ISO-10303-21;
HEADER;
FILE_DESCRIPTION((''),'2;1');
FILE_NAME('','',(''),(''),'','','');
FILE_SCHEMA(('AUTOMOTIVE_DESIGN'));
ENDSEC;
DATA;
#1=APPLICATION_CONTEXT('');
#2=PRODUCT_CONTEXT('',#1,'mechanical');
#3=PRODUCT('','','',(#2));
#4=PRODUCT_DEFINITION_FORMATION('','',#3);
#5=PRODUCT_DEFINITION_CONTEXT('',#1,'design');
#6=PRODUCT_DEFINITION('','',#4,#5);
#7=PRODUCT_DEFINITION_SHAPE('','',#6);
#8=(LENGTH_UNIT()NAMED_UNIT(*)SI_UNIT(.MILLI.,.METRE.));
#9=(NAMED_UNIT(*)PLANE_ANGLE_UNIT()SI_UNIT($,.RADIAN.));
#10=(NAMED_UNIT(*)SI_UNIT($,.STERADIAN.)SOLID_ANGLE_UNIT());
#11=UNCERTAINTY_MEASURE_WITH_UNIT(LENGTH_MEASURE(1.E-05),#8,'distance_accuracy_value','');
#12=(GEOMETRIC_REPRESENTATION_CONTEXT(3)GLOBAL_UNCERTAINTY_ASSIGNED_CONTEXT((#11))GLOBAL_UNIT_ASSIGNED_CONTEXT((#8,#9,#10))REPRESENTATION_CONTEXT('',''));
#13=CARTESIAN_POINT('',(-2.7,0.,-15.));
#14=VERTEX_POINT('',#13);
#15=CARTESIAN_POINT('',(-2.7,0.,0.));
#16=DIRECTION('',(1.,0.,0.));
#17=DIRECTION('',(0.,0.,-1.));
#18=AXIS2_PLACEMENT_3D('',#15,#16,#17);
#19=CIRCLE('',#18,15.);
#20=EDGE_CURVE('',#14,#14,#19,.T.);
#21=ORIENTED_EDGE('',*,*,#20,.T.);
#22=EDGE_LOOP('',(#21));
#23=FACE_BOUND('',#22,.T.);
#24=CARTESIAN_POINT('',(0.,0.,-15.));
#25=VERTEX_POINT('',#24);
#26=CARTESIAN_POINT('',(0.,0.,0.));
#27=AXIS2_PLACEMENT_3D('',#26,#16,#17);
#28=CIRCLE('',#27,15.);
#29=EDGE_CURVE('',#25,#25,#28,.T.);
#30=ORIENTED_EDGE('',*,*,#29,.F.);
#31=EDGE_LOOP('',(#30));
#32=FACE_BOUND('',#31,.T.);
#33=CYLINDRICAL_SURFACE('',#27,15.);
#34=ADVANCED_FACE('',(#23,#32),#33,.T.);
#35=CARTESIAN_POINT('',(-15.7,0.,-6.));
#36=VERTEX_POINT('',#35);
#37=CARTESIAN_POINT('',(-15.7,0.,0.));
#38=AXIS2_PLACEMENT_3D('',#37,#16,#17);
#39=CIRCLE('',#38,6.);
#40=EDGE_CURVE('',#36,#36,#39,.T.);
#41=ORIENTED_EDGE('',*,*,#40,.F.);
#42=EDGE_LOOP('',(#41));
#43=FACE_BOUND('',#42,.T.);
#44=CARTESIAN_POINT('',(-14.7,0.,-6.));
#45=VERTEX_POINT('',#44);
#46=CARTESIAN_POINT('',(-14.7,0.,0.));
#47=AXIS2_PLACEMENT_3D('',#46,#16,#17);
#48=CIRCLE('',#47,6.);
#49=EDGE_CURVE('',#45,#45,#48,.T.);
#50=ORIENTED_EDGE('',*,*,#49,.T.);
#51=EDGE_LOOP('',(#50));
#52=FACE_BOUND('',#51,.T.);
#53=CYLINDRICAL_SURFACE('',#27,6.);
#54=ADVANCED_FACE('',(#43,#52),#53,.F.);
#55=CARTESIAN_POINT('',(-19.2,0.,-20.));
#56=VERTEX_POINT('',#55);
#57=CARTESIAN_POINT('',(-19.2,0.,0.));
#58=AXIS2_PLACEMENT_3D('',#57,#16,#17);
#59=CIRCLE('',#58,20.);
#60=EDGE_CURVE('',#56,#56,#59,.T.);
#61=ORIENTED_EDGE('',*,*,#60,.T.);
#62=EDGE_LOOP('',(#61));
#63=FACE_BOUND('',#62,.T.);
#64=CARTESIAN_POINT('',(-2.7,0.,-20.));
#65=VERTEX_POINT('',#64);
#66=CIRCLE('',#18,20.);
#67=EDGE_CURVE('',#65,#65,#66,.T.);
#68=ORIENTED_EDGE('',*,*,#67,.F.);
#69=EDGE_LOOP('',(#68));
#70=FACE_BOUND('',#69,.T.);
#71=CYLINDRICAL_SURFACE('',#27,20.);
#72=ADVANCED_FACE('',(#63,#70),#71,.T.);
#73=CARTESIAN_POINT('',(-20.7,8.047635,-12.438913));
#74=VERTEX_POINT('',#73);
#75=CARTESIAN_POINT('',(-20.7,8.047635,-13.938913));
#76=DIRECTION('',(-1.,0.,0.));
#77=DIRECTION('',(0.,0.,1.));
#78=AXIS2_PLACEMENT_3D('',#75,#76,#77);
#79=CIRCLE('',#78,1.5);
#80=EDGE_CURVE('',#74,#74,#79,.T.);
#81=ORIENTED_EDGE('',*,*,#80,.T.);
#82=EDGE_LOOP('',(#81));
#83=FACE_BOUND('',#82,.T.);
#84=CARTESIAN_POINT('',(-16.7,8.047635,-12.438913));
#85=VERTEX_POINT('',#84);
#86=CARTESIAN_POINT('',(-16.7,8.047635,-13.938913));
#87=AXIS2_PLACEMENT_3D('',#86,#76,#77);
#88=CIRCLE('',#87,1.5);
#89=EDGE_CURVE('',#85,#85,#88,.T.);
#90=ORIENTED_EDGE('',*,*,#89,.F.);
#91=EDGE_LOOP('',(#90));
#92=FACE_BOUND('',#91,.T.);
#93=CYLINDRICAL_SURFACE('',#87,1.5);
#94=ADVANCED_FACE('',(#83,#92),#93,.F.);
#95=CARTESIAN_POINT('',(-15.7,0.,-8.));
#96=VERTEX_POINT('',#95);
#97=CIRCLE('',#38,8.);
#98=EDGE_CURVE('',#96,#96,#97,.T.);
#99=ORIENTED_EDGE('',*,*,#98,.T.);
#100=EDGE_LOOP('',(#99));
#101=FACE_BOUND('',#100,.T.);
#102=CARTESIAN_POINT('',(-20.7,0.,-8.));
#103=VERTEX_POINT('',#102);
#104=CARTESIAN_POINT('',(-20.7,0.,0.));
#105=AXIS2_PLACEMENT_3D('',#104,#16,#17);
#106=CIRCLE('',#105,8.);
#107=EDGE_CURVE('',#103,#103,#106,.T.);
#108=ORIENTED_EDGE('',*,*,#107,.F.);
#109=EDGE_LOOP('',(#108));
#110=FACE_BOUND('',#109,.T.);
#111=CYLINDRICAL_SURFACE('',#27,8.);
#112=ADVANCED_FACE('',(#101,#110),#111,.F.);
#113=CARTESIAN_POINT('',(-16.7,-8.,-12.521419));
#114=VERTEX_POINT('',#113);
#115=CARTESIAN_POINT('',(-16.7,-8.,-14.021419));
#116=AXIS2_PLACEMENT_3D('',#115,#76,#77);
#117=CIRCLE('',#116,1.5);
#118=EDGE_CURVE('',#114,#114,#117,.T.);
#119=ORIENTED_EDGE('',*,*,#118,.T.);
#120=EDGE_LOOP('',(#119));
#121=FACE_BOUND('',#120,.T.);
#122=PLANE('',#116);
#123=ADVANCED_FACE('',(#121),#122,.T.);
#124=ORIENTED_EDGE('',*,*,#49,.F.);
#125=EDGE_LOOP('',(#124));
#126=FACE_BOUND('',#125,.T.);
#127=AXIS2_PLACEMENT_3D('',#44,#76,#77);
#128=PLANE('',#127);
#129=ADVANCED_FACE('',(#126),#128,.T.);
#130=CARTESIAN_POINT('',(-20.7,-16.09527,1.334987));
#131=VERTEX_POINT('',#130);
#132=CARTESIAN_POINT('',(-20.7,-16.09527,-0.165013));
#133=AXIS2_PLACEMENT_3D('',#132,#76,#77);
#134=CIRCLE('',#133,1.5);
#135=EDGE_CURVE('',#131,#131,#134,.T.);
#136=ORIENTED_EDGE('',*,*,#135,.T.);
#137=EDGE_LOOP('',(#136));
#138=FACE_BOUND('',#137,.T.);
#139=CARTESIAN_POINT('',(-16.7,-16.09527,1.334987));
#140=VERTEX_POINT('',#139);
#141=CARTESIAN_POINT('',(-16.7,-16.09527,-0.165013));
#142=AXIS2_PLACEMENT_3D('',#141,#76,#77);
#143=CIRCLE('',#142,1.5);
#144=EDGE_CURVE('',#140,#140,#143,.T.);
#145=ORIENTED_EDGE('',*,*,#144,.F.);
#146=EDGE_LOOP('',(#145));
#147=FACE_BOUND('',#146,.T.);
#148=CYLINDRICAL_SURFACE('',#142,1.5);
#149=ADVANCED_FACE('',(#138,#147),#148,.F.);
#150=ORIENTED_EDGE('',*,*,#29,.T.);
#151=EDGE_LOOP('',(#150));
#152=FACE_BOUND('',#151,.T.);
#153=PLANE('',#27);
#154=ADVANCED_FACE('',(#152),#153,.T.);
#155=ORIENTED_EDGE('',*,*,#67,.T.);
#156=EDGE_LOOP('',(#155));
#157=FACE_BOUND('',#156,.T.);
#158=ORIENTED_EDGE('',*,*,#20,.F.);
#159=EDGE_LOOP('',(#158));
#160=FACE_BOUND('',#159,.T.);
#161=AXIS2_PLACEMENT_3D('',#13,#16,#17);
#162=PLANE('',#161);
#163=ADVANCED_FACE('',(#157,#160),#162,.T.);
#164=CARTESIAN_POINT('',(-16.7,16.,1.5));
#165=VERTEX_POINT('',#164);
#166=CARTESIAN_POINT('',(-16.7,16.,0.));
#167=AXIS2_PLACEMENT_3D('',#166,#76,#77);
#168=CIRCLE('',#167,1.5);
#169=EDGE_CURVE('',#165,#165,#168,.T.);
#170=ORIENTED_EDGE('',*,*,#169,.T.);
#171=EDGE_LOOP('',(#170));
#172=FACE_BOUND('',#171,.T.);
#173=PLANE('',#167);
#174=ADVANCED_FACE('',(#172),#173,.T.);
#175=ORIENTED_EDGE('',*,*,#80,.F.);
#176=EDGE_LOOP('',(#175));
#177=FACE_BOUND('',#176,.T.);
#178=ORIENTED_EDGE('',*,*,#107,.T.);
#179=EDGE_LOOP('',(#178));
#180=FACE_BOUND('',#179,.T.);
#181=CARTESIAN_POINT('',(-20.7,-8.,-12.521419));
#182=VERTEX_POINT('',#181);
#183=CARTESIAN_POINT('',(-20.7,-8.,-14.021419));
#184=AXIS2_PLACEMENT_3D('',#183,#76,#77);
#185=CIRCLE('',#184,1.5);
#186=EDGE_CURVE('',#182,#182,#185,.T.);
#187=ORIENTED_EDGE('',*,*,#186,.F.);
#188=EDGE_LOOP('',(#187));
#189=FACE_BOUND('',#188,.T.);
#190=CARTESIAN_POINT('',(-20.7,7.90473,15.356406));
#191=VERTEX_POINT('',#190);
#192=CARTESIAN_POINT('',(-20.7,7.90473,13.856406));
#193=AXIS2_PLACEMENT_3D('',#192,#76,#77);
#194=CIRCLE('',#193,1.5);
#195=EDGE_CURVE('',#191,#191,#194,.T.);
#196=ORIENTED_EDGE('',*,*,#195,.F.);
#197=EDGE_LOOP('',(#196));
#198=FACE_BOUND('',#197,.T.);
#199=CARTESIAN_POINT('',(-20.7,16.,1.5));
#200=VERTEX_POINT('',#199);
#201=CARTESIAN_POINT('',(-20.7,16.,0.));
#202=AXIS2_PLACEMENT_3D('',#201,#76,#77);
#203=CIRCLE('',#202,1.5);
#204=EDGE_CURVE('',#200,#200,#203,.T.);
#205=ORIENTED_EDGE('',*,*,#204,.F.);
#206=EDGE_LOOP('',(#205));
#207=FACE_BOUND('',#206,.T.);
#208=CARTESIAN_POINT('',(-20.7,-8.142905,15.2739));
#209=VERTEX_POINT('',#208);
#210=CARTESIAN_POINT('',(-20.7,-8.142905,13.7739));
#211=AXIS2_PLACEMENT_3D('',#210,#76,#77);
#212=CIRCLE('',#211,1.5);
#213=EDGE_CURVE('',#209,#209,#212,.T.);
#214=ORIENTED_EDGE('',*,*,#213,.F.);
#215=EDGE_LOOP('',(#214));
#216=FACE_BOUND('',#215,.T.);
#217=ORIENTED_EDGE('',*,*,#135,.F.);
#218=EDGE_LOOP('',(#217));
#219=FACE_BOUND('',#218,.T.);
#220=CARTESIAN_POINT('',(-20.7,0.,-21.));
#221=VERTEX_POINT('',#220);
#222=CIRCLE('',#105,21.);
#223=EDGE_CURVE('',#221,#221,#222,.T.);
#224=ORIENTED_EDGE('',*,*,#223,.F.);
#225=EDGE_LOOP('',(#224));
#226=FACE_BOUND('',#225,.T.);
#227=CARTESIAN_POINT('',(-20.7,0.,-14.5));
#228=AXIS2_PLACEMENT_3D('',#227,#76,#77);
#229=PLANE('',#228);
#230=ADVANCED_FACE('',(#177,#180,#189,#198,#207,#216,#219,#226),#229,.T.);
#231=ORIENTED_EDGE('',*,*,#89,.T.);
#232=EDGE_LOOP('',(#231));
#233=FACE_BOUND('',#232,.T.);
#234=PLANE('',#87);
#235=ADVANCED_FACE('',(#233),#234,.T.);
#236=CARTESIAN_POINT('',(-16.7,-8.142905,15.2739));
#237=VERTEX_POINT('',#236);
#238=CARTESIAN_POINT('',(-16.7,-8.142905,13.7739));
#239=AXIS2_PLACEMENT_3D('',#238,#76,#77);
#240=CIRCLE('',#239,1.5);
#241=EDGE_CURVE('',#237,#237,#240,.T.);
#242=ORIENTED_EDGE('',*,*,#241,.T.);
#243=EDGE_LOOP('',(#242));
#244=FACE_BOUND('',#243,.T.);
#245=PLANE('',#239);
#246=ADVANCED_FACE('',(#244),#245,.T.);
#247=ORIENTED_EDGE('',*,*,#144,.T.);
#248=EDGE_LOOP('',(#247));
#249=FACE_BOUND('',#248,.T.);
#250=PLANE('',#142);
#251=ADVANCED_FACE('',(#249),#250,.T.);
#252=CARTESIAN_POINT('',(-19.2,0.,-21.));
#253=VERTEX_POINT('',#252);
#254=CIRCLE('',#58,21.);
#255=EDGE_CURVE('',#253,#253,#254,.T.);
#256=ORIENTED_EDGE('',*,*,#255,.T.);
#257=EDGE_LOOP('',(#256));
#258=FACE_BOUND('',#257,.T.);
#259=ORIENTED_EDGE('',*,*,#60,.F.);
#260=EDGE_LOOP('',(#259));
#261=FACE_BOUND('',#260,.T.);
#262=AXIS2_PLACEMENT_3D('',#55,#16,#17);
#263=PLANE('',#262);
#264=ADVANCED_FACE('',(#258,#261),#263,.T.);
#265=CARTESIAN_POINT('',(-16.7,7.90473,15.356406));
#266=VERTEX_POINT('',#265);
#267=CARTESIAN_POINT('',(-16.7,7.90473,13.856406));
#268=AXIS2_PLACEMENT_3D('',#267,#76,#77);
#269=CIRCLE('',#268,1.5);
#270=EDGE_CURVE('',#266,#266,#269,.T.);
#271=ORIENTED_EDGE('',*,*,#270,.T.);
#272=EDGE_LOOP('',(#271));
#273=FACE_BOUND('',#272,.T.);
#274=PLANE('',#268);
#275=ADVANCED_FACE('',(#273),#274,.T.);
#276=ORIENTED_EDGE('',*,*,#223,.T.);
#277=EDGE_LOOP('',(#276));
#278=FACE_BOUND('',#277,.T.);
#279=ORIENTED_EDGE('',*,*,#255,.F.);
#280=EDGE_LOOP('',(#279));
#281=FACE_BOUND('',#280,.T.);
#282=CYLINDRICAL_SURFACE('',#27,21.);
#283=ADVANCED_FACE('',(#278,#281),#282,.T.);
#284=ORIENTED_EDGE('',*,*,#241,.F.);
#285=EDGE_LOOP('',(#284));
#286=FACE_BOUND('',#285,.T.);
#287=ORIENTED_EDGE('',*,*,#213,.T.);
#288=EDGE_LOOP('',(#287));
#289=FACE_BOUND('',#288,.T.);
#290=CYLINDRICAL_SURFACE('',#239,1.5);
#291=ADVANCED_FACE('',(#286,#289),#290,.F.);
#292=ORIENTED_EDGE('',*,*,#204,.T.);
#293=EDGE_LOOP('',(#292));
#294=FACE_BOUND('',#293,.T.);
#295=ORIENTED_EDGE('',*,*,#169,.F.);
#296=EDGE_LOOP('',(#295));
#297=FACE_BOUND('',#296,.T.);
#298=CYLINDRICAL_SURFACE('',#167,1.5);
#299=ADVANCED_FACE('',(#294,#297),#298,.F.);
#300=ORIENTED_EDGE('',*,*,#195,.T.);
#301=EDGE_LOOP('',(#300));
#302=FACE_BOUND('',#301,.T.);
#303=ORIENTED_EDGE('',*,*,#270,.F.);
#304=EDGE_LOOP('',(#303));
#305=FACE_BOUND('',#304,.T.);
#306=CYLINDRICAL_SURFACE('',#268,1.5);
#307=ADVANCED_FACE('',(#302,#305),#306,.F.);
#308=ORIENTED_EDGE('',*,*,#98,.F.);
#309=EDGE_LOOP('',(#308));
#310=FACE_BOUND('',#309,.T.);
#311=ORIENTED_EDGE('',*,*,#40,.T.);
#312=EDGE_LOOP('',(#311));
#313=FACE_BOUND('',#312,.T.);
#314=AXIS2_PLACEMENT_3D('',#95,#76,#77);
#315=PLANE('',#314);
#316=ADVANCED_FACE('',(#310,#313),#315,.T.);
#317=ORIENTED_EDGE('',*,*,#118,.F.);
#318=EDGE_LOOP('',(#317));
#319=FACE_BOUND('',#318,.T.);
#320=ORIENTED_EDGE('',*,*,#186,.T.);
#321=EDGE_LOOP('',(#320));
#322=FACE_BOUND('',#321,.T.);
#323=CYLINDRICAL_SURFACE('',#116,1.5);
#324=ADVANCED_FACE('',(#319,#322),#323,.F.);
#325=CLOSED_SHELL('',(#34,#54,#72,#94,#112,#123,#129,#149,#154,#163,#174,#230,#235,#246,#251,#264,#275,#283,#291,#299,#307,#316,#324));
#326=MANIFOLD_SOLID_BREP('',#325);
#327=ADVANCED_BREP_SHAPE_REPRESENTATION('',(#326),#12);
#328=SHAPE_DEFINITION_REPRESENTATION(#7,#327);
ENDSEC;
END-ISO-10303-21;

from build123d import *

# Parameters (mm, degrees)
SKETCH3_R          = 1.5
CUT_EXTRUDE1_DEPTH = 4


with BuildPart() as part:
    # Sketch2 → Revolve1 (revolve)
    with BuildSketch(Plane(origin=(0, 0, 0), x_dir=(1, 0, 0), z_dir=(0, 1, 0))):
        Polygon((0, 0), (0, 15), (-2.7, 15), (-2.7, 20), (-19.2, 20), (-19.2, 21), (-20.7, 21), (-20.7, 17.652837292), (-20.7, 14.5), (-20.7, 8), (-15.7, 8), (-15.7, 6), (-14.7, 6), (-14.7, 0), align=None)
    revolve(axis=Axis((0, 0, 0), (-1, 0, 0)))

    # Sketch3 → Cut-Extrude1 (cut)
    with BuildSketch(Plane.ZY.offset(20.7)):
        with Locations((0, 16)):
            Circle(SKETCH3_R)
        with Locations((13.856406461, 7.904729806)):
            Circle(SKETCH3_R)
        with Locations((13.773900052, -8.142905292)):
            Circle(SKETCH3_R)
        with Locations((-0.165012817, -16.095270194)):
            Circle(SKETCH3_R)
        with Locations((-14.021419278, -8)):
            Circle(SKETCH3_R)
        with Locations((-13.938912869, 8.047635097)):
            Circle(SKETCH3_R)
    extrude(amount=-CUT_EXTRUDE1_DEPTH, mode=Mode.SUBTRACT)


solid = part.part
